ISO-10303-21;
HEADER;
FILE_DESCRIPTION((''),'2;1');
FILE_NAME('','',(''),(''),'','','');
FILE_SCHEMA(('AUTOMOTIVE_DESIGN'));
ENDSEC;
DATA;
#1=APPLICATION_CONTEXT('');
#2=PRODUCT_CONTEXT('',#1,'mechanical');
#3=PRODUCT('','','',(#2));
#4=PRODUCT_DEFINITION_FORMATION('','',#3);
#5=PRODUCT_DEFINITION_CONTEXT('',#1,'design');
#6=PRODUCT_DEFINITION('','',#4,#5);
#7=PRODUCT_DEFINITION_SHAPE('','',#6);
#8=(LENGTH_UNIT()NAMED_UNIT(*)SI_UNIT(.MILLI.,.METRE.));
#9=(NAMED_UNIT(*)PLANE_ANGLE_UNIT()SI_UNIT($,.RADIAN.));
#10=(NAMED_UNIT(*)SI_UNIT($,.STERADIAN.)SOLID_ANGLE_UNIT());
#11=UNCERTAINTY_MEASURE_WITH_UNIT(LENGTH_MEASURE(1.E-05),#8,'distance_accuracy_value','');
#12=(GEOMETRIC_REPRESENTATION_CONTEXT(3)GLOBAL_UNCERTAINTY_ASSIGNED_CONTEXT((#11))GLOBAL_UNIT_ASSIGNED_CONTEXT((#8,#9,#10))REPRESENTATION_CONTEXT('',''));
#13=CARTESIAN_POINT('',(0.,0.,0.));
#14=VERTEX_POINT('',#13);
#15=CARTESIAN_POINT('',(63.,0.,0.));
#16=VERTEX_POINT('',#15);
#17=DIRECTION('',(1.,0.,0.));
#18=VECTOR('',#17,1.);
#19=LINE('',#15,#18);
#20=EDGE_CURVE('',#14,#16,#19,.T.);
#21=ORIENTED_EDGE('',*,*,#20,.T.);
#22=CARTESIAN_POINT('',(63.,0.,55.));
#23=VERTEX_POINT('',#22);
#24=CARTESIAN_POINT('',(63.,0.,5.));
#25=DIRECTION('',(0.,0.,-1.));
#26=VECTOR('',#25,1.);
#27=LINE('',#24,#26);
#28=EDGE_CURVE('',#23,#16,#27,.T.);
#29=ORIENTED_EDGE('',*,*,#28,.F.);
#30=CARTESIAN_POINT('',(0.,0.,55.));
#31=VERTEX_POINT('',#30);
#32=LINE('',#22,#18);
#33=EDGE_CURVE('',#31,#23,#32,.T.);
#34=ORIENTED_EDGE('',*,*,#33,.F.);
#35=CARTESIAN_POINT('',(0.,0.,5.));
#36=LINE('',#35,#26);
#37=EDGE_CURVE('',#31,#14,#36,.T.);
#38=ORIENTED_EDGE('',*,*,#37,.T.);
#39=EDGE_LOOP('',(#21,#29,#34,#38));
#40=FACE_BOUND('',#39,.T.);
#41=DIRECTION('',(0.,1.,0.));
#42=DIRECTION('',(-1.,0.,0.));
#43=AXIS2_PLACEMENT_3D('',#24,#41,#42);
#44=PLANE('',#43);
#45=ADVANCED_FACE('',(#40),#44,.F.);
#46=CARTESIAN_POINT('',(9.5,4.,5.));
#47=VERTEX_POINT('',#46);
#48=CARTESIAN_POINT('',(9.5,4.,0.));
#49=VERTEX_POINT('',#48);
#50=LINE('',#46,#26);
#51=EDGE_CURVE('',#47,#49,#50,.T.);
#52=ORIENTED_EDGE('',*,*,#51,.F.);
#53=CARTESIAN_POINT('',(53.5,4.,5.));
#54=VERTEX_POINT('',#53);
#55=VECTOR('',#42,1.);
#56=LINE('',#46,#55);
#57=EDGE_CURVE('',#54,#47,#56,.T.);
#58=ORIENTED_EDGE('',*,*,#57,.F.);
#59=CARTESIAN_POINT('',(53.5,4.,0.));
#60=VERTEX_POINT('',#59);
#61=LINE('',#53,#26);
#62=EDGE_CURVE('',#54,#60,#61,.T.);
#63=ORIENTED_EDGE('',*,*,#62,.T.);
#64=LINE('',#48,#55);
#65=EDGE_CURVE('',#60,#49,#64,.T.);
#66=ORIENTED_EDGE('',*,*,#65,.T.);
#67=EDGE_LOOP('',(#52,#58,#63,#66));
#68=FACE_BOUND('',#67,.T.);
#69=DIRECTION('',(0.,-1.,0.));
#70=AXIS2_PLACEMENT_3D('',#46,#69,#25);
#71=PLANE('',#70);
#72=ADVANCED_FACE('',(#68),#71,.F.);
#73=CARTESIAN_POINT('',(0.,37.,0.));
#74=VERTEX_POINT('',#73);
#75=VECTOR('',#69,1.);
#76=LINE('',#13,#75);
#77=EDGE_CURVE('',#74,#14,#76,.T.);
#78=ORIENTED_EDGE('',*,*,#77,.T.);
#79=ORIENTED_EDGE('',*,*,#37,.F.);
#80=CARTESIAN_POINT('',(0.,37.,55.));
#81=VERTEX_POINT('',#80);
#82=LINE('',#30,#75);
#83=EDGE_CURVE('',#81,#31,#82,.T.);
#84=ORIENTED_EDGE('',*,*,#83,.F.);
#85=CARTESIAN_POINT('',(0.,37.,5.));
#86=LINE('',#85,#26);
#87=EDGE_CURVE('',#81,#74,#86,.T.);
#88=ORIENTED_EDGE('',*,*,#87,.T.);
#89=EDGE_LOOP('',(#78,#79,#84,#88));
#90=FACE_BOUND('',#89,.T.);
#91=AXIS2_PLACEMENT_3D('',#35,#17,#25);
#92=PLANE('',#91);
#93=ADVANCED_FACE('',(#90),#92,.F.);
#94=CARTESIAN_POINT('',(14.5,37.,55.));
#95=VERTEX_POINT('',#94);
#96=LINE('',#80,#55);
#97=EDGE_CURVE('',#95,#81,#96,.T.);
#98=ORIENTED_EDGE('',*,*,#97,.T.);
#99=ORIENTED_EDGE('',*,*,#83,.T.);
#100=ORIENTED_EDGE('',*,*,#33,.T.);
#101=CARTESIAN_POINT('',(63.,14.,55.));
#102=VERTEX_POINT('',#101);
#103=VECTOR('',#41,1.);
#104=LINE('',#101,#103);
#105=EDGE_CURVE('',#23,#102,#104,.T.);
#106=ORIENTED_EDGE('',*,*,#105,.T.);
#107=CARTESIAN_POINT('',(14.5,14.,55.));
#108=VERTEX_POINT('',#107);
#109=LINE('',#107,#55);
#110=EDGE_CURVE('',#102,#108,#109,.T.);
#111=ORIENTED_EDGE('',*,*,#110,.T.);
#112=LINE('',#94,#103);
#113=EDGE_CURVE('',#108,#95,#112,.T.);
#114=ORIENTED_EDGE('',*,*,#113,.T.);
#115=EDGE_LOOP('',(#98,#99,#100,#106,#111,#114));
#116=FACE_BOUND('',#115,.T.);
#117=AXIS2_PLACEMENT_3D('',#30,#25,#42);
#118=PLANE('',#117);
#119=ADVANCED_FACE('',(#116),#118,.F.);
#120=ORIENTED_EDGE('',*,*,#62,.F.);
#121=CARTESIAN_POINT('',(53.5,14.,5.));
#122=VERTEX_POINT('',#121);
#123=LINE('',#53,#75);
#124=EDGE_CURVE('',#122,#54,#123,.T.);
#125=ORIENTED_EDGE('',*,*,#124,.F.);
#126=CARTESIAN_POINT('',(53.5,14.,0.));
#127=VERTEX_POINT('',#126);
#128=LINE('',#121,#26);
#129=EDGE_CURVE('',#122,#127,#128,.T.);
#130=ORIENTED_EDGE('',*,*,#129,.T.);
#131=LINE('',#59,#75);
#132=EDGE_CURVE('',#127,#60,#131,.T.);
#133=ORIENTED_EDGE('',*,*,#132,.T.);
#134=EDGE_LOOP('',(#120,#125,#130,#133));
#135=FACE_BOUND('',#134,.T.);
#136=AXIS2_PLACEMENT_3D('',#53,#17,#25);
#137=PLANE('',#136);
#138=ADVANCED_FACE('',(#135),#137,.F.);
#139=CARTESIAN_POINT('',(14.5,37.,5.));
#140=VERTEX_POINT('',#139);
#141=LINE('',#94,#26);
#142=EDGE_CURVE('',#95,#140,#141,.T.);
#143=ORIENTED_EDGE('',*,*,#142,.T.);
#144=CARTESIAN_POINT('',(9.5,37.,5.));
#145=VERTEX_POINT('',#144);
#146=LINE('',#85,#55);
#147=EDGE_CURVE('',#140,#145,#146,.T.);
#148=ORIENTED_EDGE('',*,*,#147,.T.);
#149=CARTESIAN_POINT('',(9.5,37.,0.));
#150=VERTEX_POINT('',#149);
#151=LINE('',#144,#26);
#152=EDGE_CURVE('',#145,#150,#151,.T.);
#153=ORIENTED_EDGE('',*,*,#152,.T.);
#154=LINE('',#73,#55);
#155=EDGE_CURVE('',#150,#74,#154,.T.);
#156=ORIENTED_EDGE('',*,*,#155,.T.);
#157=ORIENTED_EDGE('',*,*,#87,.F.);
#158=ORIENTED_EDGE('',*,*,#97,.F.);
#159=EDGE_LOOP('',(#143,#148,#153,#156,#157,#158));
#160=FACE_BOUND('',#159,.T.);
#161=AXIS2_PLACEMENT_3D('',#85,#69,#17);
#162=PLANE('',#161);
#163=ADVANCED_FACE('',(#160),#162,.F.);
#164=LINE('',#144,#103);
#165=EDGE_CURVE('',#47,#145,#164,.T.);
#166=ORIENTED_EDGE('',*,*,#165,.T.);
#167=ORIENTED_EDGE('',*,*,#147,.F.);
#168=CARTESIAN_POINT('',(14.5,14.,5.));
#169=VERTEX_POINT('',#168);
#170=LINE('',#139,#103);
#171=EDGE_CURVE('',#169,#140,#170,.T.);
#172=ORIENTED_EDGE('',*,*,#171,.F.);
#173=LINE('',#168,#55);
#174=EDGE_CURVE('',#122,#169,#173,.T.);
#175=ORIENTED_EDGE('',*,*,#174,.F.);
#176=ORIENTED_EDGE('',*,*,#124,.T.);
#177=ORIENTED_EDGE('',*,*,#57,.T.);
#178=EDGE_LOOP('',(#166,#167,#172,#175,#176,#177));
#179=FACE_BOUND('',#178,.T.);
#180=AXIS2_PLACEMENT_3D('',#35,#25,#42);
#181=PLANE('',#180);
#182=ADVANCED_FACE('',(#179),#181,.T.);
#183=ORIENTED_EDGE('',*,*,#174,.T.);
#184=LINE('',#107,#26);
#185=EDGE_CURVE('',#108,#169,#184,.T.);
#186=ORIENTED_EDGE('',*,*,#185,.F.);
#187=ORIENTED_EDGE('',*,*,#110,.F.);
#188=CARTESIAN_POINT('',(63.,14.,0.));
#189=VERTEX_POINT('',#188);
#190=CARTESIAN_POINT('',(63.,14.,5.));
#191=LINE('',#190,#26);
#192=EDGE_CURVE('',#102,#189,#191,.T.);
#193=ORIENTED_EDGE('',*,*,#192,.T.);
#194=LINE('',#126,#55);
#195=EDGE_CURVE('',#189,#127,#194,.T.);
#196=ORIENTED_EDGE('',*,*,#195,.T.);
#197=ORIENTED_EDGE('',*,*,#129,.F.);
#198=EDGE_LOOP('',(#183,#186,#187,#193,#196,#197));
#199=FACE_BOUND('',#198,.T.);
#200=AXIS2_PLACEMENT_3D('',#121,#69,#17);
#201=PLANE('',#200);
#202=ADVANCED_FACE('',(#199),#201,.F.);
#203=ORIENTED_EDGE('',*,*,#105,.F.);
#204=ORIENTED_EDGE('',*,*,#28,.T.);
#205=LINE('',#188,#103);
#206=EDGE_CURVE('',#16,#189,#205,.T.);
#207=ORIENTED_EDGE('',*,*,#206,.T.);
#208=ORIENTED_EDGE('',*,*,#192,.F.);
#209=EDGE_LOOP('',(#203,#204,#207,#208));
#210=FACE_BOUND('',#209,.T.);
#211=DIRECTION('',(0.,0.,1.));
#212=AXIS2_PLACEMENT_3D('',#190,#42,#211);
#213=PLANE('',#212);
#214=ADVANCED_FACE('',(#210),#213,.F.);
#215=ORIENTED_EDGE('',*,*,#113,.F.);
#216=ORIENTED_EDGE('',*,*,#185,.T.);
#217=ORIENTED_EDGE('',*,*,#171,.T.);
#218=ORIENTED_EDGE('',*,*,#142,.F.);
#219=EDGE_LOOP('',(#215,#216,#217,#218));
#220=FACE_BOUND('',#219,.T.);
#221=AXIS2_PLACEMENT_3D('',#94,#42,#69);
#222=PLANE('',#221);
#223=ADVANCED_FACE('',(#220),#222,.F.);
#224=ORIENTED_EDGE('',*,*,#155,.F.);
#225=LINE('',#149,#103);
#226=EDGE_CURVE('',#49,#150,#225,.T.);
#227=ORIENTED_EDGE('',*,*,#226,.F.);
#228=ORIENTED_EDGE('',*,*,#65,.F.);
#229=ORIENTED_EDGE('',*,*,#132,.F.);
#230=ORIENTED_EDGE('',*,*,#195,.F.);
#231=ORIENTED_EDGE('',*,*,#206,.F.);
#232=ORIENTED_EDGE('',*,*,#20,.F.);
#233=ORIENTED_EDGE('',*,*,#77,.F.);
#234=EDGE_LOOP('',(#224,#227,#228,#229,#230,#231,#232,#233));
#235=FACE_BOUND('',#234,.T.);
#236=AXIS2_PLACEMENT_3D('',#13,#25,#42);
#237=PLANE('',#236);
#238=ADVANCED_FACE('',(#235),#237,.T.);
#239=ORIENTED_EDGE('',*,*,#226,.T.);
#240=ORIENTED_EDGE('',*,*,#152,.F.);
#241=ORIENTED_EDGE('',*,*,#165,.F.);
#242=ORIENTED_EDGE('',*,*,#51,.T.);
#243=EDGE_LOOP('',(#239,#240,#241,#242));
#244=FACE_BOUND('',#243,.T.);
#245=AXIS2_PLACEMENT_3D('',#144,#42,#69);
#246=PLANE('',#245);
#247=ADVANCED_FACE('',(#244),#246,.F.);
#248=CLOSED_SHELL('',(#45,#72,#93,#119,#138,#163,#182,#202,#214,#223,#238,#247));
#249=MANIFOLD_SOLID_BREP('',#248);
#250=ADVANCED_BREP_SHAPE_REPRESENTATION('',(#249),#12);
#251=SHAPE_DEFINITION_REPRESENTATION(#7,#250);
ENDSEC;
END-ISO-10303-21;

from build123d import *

# Parameters (mm, degrees)
BOSS_EXTRUDE1_DEPTH = 5
BOSS_EXTRUDE3_DEPTH = 50


with BuildPart() as part:
    # Sketch1 → Boss-Extrude1 (new body)
    with BuildSketch(Plane.XY):
        Polygon((0, 0), (0, 37), (9.5, 37), (9.5, 4), (53.5, 4), (53.5, 14), (63, 14), (63, 0), align=None)
    extrude(amount=BOSS_EXTRUDE1_DEPTH)

    # Sketch2 → Boss-Extrude3 (add)
    with BuildSketch(Plane.XY.offset(5)):
        Polygon((0, 37), (14.5, 37), (14.5, 14), (63, 14), (63, 0), (0, 0), align=None)
    extrude(amount=BOSS_EXTRUDE3_DEPTH)


solid = part.part
